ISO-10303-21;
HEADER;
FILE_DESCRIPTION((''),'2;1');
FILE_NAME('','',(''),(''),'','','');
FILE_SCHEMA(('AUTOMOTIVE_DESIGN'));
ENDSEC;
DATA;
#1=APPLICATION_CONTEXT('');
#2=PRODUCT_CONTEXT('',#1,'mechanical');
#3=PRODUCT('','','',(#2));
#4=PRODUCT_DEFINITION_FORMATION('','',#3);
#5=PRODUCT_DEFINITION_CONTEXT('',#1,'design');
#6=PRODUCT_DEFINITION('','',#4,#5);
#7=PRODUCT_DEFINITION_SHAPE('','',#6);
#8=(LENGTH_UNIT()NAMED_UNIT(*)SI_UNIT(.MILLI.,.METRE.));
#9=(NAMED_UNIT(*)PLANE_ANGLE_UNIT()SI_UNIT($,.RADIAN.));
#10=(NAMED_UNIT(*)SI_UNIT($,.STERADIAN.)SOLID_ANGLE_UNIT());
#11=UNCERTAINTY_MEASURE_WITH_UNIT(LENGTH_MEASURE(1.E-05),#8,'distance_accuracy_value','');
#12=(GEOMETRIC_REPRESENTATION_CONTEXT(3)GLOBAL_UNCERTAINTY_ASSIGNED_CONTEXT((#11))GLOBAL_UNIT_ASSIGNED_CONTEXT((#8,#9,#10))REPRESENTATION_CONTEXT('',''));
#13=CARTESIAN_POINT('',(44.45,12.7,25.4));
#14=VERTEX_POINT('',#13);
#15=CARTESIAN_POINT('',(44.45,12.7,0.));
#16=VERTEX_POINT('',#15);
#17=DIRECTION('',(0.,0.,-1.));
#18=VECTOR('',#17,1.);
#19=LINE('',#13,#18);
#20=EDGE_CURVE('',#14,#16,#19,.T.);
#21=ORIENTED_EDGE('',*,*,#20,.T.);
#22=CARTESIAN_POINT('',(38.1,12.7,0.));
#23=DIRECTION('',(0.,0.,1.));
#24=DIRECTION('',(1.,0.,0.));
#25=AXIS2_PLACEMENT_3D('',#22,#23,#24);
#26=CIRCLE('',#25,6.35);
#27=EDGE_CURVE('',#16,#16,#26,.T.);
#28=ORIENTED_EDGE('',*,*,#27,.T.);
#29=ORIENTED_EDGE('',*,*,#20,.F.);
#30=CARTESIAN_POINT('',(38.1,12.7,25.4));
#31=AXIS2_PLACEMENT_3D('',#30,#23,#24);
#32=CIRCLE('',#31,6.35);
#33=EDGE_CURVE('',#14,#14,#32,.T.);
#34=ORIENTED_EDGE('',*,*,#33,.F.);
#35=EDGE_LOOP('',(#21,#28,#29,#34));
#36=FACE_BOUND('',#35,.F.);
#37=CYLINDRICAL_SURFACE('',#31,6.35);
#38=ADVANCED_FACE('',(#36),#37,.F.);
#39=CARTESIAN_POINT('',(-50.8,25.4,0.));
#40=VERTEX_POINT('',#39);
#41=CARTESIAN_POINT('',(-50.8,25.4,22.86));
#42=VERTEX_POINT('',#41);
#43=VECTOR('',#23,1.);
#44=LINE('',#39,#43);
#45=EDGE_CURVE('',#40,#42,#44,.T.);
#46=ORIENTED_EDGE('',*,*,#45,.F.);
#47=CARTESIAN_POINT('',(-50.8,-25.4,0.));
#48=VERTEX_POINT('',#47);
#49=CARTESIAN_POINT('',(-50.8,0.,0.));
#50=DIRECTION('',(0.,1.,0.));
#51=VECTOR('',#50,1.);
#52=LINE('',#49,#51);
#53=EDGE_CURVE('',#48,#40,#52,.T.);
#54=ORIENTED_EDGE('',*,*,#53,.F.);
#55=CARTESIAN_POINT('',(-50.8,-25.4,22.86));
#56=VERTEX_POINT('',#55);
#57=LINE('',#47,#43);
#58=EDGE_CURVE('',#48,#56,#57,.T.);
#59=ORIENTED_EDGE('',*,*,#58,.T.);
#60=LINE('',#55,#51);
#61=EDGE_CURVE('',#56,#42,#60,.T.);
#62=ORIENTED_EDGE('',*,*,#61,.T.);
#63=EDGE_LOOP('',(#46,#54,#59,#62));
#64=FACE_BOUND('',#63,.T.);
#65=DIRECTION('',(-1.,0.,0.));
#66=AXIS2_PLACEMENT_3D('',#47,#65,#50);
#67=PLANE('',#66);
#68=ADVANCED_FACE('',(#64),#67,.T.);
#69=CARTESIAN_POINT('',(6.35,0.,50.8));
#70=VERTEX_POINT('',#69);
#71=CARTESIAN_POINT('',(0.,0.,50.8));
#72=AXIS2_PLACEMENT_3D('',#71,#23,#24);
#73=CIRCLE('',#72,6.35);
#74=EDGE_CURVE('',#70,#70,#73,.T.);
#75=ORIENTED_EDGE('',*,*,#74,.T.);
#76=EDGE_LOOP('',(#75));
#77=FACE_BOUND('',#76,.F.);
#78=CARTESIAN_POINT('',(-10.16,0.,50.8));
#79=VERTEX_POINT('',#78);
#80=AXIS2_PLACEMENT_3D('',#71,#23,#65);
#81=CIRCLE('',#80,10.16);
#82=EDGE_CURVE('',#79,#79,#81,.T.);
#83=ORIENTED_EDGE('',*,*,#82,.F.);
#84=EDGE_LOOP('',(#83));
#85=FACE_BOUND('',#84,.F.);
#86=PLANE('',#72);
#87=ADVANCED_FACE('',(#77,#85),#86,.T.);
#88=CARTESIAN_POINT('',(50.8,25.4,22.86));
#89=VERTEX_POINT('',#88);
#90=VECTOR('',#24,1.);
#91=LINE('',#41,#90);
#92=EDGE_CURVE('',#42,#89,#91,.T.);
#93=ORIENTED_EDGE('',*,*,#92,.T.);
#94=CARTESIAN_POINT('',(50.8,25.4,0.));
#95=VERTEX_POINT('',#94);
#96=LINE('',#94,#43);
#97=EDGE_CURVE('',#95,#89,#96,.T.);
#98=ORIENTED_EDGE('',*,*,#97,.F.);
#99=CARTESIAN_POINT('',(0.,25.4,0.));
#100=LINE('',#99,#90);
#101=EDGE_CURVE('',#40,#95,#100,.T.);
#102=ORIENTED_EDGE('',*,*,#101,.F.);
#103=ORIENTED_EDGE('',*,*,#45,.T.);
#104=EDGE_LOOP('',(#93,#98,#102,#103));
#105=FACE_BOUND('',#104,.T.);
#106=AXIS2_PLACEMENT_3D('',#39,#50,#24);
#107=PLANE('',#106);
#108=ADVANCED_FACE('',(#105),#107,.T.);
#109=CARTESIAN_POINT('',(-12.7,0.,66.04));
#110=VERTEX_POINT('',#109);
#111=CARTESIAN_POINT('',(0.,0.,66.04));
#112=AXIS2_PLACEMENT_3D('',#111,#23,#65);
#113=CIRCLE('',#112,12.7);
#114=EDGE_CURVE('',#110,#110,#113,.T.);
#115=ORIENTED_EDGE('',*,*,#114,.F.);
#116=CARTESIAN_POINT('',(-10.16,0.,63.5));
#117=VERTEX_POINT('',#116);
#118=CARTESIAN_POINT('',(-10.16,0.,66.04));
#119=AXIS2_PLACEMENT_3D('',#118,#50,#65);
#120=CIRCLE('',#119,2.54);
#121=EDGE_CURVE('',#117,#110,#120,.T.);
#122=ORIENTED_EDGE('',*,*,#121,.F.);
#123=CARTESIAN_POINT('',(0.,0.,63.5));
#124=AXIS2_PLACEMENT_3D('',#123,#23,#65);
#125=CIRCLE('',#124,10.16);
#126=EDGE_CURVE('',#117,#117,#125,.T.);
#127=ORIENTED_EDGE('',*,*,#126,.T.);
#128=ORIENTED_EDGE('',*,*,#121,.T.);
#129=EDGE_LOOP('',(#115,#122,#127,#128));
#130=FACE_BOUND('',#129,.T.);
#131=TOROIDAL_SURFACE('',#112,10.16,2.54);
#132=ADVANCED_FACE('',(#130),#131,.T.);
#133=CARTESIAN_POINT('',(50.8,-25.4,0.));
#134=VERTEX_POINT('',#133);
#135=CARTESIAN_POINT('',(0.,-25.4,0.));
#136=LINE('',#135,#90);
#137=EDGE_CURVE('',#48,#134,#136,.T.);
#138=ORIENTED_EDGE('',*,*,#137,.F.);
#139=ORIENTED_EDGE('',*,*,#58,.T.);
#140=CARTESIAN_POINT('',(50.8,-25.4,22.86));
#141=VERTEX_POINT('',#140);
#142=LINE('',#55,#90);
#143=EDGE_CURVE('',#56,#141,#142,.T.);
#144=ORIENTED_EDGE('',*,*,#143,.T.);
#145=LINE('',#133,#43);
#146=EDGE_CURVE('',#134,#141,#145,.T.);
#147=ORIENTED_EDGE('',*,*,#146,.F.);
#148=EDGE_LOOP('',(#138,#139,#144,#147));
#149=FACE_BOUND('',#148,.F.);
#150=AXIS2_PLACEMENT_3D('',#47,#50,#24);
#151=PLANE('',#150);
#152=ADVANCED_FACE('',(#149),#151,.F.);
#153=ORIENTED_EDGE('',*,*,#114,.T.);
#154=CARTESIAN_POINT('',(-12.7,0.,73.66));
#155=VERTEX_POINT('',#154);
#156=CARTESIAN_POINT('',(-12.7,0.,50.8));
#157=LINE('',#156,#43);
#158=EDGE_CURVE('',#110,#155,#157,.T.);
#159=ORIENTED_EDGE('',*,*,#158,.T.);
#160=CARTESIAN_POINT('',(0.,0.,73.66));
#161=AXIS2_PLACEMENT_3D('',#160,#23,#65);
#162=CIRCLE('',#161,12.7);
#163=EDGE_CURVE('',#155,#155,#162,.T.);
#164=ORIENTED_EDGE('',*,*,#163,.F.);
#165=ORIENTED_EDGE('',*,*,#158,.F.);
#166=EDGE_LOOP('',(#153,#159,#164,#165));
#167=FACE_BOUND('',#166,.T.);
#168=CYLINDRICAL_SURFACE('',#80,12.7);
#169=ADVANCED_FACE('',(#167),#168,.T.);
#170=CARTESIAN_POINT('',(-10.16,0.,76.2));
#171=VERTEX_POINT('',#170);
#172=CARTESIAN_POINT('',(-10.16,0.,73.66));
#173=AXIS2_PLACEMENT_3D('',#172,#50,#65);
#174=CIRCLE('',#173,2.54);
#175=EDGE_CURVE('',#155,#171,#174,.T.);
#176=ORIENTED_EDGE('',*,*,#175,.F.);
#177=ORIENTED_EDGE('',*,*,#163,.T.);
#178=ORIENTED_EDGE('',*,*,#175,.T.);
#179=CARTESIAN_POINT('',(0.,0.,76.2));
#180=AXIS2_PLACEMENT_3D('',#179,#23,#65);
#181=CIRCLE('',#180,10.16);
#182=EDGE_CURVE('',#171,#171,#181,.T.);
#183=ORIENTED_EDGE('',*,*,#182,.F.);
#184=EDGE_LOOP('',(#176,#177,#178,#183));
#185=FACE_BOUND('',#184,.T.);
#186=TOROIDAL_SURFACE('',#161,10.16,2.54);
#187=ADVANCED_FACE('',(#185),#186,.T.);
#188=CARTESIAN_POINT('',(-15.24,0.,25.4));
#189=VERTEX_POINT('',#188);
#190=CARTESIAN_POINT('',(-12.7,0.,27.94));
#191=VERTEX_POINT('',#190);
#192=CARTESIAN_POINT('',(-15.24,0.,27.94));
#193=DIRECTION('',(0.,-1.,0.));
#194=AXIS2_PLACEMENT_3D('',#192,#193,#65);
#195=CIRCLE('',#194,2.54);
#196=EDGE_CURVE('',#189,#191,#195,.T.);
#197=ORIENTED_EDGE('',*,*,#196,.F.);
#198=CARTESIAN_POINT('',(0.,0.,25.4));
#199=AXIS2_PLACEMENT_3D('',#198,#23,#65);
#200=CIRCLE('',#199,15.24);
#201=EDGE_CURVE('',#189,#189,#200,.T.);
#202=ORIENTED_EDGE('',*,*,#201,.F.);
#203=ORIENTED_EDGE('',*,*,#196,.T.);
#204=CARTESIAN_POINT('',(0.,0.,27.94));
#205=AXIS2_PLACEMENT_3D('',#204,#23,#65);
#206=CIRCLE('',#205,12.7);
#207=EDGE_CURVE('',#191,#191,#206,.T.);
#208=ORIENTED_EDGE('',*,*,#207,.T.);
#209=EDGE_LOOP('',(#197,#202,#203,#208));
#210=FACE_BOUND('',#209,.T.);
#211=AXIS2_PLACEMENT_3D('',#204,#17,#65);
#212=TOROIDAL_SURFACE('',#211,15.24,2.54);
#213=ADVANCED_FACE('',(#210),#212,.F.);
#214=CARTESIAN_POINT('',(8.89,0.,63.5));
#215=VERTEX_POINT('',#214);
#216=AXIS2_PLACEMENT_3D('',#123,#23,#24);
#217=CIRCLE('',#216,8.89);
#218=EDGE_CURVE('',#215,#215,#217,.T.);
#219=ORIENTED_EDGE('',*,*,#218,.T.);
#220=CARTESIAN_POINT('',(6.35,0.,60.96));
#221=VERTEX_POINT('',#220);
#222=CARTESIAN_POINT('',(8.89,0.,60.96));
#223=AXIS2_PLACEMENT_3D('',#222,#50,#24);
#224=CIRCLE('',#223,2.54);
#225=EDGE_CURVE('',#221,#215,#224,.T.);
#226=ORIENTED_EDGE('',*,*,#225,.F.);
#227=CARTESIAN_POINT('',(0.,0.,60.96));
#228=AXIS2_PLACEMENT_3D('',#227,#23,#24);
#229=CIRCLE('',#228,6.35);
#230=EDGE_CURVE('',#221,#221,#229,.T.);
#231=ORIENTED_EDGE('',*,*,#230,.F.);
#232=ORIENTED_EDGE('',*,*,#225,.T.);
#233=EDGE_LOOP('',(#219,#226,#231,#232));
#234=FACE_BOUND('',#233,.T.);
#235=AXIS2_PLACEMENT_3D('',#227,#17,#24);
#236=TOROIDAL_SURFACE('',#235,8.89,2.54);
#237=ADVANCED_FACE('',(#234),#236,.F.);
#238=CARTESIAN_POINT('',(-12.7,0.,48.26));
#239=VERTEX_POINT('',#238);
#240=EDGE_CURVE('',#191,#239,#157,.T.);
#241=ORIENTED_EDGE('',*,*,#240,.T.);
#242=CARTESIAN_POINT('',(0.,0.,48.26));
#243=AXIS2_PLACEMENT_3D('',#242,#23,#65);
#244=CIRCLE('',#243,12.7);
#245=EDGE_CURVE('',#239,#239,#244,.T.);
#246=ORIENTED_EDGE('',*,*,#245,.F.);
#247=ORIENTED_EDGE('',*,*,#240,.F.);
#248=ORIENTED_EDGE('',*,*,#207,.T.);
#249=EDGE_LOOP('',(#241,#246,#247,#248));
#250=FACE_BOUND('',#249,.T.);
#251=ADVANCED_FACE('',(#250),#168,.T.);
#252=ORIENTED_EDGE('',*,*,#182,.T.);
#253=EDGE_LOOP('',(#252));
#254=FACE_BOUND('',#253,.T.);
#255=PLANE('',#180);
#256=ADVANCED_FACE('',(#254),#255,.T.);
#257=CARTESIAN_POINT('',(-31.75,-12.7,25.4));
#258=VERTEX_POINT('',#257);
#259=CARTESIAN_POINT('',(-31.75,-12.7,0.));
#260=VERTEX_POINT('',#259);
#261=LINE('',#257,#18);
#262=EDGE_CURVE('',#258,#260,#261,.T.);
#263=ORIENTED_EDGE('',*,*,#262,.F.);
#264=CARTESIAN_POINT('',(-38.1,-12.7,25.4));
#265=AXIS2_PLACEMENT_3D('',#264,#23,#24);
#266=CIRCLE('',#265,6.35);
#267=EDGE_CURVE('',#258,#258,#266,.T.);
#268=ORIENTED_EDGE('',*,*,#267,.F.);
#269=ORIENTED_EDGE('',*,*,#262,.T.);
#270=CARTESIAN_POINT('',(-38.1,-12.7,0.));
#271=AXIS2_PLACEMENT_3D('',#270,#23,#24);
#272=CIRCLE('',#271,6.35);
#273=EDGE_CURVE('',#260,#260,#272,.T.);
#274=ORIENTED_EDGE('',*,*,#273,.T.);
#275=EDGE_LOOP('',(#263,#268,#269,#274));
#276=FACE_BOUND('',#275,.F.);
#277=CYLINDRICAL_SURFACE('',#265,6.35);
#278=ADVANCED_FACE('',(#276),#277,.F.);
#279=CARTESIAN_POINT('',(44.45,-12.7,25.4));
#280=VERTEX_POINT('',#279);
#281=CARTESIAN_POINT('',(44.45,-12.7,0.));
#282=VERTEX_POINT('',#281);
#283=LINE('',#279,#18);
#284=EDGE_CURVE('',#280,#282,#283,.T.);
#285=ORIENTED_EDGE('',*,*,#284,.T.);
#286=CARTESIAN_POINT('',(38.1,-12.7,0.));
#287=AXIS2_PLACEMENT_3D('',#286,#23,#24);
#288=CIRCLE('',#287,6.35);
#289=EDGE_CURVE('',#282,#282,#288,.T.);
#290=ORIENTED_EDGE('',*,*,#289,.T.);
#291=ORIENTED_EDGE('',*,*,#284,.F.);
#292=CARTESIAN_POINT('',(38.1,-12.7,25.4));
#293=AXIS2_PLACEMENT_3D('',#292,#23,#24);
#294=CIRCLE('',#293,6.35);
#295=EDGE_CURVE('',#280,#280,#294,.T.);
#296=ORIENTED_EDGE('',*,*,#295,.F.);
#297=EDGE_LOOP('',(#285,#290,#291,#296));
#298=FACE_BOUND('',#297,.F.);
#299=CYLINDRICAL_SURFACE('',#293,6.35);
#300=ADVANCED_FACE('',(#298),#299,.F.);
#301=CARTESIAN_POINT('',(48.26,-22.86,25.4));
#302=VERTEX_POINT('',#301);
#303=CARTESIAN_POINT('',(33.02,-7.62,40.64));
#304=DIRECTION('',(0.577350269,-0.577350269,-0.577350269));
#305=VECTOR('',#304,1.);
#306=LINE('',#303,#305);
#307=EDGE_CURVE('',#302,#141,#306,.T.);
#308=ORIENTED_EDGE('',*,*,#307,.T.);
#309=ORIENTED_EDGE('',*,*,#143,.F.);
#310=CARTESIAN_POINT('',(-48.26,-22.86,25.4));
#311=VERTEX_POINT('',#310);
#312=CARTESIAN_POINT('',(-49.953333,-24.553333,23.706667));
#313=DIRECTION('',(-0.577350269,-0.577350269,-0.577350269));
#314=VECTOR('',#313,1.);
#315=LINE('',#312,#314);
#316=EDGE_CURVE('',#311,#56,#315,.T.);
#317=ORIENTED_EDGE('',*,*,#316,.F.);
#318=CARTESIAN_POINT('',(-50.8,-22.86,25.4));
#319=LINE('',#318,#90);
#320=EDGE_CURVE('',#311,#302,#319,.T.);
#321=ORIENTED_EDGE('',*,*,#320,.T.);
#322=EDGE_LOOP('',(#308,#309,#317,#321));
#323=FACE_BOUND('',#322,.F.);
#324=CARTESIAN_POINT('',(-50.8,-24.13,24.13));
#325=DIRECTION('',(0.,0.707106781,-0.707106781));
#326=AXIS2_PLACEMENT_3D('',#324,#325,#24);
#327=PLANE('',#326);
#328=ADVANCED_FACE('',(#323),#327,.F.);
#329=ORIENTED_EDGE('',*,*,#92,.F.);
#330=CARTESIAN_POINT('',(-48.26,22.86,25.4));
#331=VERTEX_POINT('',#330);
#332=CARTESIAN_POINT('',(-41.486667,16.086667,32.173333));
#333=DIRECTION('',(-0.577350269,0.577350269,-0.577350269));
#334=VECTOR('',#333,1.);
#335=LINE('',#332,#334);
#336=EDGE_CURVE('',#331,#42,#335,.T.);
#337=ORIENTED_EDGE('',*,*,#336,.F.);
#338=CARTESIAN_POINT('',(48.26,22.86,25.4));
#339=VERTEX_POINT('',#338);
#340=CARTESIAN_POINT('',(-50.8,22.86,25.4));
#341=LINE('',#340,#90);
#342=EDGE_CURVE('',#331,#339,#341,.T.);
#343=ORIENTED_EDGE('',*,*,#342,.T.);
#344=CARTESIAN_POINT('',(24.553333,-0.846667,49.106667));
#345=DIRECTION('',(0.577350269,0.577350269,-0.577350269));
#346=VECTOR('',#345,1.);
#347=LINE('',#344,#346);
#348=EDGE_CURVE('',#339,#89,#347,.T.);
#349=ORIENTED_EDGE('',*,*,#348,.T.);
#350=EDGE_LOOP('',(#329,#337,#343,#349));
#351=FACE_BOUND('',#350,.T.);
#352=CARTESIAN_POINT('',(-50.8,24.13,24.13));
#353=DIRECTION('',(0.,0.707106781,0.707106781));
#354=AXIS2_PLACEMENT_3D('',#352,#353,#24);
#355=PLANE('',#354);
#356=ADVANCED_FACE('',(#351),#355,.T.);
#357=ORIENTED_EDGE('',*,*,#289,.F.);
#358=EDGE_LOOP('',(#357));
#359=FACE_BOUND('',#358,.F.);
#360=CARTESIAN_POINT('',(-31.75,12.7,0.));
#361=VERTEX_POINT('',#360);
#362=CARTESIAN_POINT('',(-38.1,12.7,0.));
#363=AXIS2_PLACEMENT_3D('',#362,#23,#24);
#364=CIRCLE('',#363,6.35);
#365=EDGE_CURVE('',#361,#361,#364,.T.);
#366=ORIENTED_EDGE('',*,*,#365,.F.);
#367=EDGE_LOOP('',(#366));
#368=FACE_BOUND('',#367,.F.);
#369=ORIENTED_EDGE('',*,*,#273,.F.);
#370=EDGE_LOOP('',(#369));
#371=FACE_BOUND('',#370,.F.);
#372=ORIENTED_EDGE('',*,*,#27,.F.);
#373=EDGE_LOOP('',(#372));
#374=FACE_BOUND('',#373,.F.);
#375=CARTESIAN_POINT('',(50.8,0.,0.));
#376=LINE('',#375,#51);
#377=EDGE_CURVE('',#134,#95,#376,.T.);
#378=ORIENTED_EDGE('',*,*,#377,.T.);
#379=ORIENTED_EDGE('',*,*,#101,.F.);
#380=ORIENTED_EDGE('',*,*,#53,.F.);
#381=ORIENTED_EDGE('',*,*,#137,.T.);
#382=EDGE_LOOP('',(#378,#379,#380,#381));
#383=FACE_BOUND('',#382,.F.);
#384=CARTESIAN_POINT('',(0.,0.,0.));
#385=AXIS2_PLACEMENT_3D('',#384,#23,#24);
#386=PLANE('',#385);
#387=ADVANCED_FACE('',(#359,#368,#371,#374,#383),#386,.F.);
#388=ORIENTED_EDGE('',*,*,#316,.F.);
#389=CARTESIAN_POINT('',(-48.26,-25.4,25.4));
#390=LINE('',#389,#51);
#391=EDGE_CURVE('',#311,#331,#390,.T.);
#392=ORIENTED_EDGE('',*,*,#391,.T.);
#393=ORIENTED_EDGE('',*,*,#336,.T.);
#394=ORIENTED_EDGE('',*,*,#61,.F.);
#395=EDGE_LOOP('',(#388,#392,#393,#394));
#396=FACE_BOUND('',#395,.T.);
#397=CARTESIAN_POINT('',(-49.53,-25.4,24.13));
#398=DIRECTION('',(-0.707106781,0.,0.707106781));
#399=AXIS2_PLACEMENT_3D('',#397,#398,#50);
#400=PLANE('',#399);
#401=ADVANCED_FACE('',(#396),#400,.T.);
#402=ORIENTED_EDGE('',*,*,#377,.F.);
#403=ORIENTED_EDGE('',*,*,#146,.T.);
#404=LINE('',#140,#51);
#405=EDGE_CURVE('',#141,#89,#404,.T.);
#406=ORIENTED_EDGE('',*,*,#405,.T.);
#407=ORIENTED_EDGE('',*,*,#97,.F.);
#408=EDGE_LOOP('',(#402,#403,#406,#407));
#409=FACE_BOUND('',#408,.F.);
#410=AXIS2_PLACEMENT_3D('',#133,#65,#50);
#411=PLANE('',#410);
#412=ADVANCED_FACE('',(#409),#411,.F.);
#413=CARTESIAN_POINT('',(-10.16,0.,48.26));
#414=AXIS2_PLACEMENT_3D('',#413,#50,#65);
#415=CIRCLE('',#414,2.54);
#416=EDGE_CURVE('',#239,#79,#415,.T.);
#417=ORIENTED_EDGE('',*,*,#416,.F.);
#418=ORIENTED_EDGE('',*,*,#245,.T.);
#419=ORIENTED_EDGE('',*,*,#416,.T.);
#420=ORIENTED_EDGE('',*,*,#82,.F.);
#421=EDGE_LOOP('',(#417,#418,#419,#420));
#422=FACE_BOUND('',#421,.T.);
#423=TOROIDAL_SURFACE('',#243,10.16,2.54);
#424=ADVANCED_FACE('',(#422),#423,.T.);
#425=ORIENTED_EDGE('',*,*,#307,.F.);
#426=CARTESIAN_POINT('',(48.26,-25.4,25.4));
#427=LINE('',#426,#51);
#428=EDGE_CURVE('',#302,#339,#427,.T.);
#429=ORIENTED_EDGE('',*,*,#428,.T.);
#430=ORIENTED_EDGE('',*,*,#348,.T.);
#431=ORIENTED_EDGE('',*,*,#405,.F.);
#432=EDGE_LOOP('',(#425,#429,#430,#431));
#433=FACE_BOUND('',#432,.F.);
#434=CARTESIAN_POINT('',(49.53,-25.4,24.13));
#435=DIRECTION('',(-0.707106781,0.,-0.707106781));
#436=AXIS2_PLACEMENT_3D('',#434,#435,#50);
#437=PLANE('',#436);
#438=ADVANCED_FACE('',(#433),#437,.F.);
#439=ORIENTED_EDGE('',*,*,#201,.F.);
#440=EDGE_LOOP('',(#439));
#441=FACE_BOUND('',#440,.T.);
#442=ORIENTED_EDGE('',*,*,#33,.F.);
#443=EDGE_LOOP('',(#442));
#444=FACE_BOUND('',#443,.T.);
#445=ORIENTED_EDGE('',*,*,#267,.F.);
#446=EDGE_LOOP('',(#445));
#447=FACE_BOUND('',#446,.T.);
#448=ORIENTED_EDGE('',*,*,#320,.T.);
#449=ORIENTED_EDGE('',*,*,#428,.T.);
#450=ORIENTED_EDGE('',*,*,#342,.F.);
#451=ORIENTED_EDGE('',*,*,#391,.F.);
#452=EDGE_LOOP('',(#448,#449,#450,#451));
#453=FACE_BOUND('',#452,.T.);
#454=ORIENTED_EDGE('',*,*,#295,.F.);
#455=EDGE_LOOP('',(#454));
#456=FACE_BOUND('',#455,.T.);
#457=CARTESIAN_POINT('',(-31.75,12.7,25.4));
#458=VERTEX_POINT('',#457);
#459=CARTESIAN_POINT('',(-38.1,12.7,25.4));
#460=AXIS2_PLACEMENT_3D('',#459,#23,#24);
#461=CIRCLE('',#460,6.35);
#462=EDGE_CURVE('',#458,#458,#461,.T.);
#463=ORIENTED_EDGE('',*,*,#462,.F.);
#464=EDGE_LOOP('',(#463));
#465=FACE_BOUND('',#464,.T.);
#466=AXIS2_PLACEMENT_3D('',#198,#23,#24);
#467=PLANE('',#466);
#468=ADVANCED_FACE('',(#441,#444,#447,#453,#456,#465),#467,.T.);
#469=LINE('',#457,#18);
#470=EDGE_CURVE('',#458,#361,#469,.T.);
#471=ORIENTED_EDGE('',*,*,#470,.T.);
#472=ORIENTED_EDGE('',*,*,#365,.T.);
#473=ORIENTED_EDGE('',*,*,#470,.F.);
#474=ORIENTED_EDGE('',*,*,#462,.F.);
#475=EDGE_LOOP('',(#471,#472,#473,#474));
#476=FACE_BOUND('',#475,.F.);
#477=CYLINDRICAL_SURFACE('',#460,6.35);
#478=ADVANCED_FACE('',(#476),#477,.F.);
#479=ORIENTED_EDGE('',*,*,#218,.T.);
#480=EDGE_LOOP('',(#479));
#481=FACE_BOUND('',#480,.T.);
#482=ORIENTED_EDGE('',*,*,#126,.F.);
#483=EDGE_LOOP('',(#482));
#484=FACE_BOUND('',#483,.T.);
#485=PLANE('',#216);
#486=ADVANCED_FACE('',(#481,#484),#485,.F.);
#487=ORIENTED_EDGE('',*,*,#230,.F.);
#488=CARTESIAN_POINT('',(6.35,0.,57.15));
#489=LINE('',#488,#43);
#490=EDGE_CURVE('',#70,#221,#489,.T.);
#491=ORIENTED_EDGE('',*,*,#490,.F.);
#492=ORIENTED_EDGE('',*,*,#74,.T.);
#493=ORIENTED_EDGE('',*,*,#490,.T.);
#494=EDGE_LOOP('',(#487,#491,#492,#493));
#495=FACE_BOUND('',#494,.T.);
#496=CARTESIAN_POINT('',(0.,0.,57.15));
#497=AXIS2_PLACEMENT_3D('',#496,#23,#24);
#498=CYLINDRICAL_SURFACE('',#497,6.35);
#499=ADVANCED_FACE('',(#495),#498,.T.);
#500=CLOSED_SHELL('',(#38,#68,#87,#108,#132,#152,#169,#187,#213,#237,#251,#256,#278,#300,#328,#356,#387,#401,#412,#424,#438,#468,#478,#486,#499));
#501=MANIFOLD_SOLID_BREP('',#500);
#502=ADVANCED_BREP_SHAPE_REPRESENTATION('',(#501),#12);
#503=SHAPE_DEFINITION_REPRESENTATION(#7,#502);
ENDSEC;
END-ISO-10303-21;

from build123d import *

# Parameters (mm, degrees)
F0_W     = 101.6
F0_H     = 50.8
F1_DEPTH = 25.4
F2_R     = 6.35
F3_DEPTH = 25.401
F4_W     = 12.7
F4_H     = 50.8
F6_W     = 11.6320042121
F6_H     = 12.7
F8_R     = 2.54
F9_SIZE  = 2.54


with BuildPart() as f1:
    # F0 (on Top) → F1 (new body)
    with BuildSketch(Plane.XY):
        Rectangle(F0_W, F0_H)
    extrude(amount=F1_DEPTH)

    # F2 (on face) → F3 (cut, through all)
    with BuildSketch(Plane.XY.offset(25.4)):
        with Locations((-38.1, 12.7)):
            Circle(F2_R)
        with Locations((-38.1, -12.7)):
            Circle(F2_R)
        with Locations((38.1, -12.7)):
            Circle(F2_R)
        with Locations((38.1, 12.7)):
            Circle(F2_R)
    extrude(amount=-F3_DEPTH, mode=Mode.SUBTRACT)

    # F4 (on Front) → F5 (revolve)
    with BuildSketch(Plane.XZ):
        with Locations((-6.35, 50.8)):
            Rectangle(F4_W, F4_H)
    revolve(axis=Axis((0, 0, 50.8), (0, 0, 1)))

    # F6 (on Front) → F7 (revolve, cut)
    with BuildSketch(Plane.XZ):
        with Locations((12.166002106, 57.15)):
            Rectangle(F6_W, F6_H)
    revolve(axis=Axis((0, 0, 43.5032770038), (0, 0, 1)), mode=Mode.SUBTRACT)

    # F8
    f8_edges = [f1.edges().sort_by_distance(p)[0] for p in [
        (12.7, 0, 50.8),
        (-6.35, 0, 63.5),
        (12.7, 0, 63.5),
        (12.7, 0, 25.4),
        (12.7, 0, 76.2),
    ]]
    fillet(f8_edges, radius=F8_R)

    # F9
    f9_edges = [f1.edges().sort_by_distance(p)[0] for p in [
        (0, -25.4, 25.4),
        (-50.8, 0, 25.4),
        (0, 25.4, 25.4),
        (50.8, 0, 25.4),
    ]]
    chamfer(f9_edges, length=F9_SIZE)


solid = f1.part
